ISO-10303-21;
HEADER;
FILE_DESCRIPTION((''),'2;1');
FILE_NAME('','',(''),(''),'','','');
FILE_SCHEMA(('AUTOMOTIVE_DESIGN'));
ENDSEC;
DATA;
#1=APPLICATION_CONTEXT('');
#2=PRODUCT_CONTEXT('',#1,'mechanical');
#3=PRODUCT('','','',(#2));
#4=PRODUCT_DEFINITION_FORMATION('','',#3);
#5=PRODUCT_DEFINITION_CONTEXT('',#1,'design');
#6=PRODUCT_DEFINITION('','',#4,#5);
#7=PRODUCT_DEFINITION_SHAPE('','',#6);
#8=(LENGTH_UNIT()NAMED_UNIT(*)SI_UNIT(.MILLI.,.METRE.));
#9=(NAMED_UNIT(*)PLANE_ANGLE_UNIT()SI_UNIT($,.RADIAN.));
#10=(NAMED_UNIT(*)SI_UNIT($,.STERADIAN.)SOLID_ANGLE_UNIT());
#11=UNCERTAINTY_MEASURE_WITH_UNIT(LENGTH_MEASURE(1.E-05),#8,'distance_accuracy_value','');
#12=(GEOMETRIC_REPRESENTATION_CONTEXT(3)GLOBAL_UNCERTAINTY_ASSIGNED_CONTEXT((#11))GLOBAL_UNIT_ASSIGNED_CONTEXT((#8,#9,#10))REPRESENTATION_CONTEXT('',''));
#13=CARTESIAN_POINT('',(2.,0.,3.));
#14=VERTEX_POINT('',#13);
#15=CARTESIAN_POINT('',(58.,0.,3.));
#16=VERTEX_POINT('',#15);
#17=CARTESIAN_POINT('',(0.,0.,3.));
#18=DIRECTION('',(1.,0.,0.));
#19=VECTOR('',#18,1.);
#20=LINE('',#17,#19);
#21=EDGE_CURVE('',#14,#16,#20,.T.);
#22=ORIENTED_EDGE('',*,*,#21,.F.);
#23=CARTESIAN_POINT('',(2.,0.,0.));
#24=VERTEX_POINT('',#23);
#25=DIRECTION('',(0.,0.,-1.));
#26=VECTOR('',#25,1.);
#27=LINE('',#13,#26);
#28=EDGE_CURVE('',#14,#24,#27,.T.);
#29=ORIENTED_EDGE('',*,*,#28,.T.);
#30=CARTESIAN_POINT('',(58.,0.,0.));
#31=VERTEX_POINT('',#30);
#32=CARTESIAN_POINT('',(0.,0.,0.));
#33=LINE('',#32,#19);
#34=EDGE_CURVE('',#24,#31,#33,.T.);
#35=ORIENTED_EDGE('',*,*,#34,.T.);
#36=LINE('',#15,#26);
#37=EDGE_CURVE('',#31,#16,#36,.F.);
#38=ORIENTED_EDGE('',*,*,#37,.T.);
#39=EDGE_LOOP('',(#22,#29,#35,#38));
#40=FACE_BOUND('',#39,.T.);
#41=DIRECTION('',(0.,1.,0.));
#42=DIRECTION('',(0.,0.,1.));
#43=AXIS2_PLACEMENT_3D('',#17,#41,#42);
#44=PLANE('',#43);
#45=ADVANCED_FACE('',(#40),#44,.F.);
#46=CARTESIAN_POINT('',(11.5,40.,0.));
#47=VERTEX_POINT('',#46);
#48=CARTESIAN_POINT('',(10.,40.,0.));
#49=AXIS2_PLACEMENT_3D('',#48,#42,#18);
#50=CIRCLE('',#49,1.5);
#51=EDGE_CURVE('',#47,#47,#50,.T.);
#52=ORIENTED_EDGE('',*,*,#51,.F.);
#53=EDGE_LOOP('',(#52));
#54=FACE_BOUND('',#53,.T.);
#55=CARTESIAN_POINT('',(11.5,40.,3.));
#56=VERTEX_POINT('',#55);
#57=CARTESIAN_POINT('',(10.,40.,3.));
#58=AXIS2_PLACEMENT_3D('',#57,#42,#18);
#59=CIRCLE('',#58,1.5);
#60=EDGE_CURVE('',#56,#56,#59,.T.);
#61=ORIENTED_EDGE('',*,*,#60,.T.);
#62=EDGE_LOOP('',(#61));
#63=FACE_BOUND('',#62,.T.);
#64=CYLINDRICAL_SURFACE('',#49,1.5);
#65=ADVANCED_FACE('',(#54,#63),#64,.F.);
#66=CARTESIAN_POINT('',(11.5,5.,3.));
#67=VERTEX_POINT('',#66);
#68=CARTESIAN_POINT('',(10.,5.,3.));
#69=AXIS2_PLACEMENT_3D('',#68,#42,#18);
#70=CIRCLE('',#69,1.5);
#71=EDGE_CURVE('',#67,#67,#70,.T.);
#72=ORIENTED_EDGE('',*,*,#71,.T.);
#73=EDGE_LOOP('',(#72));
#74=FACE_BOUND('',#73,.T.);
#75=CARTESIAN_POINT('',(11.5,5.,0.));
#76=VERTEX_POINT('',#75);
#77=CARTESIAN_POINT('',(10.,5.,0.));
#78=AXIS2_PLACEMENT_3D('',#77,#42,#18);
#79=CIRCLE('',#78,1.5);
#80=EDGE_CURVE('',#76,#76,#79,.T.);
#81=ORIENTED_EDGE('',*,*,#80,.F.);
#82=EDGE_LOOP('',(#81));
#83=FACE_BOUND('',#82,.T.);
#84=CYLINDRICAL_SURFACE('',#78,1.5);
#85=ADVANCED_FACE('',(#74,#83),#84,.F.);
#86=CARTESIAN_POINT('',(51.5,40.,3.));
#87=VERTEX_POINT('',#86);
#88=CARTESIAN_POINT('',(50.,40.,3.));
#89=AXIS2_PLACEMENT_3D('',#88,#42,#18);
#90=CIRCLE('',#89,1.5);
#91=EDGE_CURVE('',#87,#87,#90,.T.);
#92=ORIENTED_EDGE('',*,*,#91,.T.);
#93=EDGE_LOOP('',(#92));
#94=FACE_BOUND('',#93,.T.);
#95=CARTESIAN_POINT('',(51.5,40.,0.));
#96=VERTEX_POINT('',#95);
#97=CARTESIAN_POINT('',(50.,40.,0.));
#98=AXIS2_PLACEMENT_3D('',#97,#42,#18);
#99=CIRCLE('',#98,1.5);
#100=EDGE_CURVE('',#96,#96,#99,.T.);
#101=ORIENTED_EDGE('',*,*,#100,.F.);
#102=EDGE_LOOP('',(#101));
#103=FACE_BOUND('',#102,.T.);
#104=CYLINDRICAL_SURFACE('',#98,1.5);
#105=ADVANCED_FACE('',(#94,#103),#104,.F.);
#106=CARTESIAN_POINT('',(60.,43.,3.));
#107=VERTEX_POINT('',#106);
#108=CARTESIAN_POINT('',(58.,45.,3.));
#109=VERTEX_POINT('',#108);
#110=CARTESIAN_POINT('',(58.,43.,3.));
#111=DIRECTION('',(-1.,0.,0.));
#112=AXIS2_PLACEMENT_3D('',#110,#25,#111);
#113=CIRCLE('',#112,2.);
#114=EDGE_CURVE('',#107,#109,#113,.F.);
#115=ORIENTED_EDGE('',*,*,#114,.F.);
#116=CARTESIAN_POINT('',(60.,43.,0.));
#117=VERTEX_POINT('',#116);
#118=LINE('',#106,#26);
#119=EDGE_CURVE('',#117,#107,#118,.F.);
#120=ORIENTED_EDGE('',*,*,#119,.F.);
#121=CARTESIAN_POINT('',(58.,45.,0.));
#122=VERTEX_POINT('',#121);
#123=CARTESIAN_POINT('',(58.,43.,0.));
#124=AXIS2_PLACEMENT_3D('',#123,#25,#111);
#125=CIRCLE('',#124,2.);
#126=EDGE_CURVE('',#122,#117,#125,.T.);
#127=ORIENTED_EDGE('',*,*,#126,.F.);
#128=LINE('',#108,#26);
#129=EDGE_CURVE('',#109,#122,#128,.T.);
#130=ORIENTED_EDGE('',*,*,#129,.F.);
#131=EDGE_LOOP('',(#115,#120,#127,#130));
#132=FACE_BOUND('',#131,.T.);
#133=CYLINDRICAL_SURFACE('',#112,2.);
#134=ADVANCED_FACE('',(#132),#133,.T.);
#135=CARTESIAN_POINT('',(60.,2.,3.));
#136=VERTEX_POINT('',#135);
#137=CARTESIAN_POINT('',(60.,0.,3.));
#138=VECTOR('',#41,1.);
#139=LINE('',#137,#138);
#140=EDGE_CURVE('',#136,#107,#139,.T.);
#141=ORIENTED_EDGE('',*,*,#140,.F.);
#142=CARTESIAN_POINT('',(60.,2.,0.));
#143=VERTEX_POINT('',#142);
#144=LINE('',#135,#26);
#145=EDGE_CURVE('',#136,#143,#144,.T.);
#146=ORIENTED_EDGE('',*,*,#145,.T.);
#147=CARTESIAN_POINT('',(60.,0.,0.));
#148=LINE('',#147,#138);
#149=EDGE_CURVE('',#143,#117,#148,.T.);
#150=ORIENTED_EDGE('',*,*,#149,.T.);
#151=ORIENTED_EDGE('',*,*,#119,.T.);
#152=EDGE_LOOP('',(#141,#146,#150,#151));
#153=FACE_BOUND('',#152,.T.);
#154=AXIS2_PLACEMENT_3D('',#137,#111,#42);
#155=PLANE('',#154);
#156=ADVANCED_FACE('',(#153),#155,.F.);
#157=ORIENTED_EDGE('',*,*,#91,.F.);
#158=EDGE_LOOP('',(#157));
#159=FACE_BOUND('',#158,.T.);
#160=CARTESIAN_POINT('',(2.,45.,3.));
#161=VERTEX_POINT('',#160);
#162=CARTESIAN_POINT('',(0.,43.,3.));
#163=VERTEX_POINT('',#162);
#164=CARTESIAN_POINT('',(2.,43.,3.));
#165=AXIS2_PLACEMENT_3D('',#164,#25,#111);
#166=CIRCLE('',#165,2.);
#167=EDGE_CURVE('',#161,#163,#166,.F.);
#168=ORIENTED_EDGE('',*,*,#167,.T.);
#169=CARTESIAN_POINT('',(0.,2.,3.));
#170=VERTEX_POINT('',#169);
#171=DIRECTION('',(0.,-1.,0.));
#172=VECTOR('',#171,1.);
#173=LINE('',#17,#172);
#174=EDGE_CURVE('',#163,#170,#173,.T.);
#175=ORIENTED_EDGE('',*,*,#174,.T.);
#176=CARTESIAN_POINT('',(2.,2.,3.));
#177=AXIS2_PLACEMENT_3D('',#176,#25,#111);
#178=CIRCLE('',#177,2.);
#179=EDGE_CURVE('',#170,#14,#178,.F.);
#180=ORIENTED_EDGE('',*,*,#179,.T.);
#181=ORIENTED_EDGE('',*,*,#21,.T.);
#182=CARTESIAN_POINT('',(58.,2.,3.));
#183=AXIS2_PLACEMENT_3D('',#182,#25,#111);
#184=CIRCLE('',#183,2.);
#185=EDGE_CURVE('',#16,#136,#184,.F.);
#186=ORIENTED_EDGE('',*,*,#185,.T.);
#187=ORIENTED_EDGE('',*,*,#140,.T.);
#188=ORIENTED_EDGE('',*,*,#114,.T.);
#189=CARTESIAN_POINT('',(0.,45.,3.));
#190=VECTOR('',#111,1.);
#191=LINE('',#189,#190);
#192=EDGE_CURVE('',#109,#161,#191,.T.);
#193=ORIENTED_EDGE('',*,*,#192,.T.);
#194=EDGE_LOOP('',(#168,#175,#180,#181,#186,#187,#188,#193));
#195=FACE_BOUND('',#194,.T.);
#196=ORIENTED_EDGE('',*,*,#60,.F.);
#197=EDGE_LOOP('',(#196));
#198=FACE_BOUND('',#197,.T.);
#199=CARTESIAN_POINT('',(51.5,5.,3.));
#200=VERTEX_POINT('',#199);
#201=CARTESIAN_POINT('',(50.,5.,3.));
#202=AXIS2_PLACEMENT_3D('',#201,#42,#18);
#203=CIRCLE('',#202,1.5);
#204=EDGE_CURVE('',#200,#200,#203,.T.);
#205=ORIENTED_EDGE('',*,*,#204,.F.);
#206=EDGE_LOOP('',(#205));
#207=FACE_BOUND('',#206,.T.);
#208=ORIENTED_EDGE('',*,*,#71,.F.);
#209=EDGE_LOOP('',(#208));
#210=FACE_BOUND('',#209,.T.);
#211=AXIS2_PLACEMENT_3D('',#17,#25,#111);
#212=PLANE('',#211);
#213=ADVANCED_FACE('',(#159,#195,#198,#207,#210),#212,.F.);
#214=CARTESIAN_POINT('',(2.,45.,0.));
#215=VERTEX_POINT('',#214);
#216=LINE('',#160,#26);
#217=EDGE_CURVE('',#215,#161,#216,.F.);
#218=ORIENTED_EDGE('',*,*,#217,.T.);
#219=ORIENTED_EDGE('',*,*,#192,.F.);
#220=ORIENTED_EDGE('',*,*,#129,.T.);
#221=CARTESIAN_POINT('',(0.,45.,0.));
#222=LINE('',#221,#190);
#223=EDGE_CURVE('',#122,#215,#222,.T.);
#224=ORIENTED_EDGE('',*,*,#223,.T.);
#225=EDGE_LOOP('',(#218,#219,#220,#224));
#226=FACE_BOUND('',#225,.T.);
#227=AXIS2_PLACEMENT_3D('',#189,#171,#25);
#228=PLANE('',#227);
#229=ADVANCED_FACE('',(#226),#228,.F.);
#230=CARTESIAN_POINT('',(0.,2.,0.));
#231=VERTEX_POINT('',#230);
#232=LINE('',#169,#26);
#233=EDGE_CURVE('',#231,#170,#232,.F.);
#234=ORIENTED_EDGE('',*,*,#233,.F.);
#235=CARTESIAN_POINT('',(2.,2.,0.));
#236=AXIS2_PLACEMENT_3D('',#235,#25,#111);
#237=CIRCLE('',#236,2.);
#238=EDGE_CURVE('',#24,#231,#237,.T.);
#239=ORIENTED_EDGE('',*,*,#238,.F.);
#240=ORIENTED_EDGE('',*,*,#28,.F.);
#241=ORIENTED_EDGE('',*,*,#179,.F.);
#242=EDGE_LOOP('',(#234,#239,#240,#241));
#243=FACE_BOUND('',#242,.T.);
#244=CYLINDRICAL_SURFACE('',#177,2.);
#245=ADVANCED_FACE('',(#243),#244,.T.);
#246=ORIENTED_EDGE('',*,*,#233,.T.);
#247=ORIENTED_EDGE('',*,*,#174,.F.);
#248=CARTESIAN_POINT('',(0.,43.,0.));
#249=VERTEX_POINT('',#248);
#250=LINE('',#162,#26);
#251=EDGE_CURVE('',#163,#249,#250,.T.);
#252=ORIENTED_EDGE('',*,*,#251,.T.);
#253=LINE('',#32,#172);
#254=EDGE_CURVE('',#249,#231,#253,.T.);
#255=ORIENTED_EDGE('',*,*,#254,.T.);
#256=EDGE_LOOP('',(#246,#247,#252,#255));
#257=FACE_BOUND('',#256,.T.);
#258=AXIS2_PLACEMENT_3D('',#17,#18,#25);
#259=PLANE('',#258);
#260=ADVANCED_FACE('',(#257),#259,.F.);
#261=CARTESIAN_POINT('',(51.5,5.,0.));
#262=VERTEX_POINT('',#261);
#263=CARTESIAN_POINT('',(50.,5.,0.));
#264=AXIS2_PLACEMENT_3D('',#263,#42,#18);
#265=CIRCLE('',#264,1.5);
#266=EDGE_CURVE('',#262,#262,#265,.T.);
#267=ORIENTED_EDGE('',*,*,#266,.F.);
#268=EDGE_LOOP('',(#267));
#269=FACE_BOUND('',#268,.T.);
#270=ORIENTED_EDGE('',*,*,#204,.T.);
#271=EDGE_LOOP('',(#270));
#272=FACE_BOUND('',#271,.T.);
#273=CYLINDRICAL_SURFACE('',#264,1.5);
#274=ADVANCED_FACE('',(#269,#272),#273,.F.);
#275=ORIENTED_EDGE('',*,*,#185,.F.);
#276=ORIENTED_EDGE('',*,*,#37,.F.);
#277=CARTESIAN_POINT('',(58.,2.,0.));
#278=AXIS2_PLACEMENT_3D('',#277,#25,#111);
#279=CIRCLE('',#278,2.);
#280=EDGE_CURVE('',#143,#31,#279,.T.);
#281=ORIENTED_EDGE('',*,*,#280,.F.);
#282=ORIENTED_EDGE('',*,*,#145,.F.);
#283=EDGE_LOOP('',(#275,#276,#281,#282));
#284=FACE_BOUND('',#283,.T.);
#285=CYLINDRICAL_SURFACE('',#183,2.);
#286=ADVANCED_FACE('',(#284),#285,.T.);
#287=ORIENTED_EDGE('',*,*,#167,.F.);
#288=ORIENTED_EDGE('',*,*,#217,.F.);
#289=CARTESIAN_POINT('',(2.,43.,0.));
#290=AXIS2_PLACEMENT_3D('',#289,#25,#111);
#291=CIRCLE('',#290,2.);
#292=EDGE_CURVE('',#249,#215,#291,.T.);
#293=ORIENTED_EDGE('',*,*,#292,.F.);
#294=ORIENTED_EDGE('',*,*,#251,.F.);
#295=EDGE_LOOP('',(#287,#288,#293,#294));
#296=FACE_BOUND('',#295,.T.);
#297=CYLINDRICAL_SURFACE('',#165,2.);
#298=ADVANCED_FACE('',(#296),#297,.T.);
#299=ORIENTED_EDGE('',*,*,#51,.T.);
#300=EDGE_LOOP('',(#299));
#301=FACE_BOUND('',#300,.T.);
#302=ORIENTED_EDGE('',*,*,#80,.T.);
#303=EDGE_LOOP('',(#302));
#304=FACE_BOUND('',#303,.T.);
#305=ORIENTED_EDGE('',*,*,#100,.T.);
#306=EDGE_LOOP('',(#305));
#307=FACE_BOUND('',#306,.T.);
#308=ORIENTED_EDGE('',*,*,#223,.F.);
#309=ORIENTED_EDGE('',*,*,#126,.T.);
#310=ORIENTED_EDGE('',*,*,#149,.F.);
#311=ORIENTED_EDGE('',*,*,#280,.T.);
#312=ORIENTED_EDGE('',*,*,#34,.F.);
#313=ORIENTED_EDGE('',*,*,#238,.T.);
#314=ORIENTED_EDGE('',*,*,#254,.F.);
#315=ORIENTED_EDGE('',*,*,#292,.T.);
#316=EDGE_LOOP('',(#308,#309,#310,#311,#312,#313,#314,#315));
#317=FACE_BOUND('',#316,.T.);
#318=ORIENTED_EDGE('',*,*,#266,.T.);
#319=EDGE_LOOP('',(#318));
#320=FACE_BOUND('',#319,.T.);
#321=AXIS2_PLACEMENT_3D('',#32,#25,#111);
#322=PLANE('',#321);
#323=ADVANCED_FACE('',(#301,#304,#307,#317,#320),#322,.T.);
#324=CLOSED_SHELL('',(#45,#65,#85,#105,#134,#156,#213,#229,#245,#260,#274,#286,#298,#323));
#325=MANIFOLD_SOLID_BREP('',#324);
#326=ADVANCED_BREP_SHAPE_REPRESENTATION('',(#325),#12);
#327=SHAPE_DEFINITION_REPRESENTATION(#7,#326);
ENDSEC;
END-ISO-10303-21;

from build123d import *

# Parameters (mm, degrees)
SKETCH_2_W          = 60
SKETCH_2_H          = 45
EXTRUDE_1_DEPTH     = 3
FILLET_3_R          = 2
SKETCH_4_R          = 1.5
CUT_EXTRUDE_1_DEPTH = 4


with BuildPart() as part:
    # ｽｹｯﾁ2 → ﾎﾞｽ - 押し出し1 (new body)
    with BuildSketch(Plane.XY):
        with Locations((30, 22.5)):
            Rectangle(SKETCH_2_W, SKETCH_2_H)
    extrude(amount=EXTRUDE_1_DEPTH)

    # ﾌｨﾚｯﾄ3
    fillet_3_edges = [part.edges().sort_by_distance(p)[0] for p in [
        (0, 45, 1.5),
        (60, 45, 1.5),
        (60, 0, 1.5),
        (0, 0, 1.5),
    ]]
    fillet(fillet_3_edges, radius=FILLET_3_R)

    # ｽｹｯﾁ4 → ｶｯﾄ - 押し出し1 (cut, through all)
    with BuildSketch(Plane.XY.offset(3)):
        with Locations((10, 40)):
            Circle(SKETCH_4_R)
        with Locations((50, 40)):
            Circle(SKETCH_4_R)
        with Locations((10, 5)):
            Circle(SKETCH_4_R)
        with Locations((50, 5)):
            Circle(SKETCH_4_R)
    extrude(amount=-CUT_EXTRUDE_1_DEPTH, mode=Mode.SUBTRACT)


solid = part.part
